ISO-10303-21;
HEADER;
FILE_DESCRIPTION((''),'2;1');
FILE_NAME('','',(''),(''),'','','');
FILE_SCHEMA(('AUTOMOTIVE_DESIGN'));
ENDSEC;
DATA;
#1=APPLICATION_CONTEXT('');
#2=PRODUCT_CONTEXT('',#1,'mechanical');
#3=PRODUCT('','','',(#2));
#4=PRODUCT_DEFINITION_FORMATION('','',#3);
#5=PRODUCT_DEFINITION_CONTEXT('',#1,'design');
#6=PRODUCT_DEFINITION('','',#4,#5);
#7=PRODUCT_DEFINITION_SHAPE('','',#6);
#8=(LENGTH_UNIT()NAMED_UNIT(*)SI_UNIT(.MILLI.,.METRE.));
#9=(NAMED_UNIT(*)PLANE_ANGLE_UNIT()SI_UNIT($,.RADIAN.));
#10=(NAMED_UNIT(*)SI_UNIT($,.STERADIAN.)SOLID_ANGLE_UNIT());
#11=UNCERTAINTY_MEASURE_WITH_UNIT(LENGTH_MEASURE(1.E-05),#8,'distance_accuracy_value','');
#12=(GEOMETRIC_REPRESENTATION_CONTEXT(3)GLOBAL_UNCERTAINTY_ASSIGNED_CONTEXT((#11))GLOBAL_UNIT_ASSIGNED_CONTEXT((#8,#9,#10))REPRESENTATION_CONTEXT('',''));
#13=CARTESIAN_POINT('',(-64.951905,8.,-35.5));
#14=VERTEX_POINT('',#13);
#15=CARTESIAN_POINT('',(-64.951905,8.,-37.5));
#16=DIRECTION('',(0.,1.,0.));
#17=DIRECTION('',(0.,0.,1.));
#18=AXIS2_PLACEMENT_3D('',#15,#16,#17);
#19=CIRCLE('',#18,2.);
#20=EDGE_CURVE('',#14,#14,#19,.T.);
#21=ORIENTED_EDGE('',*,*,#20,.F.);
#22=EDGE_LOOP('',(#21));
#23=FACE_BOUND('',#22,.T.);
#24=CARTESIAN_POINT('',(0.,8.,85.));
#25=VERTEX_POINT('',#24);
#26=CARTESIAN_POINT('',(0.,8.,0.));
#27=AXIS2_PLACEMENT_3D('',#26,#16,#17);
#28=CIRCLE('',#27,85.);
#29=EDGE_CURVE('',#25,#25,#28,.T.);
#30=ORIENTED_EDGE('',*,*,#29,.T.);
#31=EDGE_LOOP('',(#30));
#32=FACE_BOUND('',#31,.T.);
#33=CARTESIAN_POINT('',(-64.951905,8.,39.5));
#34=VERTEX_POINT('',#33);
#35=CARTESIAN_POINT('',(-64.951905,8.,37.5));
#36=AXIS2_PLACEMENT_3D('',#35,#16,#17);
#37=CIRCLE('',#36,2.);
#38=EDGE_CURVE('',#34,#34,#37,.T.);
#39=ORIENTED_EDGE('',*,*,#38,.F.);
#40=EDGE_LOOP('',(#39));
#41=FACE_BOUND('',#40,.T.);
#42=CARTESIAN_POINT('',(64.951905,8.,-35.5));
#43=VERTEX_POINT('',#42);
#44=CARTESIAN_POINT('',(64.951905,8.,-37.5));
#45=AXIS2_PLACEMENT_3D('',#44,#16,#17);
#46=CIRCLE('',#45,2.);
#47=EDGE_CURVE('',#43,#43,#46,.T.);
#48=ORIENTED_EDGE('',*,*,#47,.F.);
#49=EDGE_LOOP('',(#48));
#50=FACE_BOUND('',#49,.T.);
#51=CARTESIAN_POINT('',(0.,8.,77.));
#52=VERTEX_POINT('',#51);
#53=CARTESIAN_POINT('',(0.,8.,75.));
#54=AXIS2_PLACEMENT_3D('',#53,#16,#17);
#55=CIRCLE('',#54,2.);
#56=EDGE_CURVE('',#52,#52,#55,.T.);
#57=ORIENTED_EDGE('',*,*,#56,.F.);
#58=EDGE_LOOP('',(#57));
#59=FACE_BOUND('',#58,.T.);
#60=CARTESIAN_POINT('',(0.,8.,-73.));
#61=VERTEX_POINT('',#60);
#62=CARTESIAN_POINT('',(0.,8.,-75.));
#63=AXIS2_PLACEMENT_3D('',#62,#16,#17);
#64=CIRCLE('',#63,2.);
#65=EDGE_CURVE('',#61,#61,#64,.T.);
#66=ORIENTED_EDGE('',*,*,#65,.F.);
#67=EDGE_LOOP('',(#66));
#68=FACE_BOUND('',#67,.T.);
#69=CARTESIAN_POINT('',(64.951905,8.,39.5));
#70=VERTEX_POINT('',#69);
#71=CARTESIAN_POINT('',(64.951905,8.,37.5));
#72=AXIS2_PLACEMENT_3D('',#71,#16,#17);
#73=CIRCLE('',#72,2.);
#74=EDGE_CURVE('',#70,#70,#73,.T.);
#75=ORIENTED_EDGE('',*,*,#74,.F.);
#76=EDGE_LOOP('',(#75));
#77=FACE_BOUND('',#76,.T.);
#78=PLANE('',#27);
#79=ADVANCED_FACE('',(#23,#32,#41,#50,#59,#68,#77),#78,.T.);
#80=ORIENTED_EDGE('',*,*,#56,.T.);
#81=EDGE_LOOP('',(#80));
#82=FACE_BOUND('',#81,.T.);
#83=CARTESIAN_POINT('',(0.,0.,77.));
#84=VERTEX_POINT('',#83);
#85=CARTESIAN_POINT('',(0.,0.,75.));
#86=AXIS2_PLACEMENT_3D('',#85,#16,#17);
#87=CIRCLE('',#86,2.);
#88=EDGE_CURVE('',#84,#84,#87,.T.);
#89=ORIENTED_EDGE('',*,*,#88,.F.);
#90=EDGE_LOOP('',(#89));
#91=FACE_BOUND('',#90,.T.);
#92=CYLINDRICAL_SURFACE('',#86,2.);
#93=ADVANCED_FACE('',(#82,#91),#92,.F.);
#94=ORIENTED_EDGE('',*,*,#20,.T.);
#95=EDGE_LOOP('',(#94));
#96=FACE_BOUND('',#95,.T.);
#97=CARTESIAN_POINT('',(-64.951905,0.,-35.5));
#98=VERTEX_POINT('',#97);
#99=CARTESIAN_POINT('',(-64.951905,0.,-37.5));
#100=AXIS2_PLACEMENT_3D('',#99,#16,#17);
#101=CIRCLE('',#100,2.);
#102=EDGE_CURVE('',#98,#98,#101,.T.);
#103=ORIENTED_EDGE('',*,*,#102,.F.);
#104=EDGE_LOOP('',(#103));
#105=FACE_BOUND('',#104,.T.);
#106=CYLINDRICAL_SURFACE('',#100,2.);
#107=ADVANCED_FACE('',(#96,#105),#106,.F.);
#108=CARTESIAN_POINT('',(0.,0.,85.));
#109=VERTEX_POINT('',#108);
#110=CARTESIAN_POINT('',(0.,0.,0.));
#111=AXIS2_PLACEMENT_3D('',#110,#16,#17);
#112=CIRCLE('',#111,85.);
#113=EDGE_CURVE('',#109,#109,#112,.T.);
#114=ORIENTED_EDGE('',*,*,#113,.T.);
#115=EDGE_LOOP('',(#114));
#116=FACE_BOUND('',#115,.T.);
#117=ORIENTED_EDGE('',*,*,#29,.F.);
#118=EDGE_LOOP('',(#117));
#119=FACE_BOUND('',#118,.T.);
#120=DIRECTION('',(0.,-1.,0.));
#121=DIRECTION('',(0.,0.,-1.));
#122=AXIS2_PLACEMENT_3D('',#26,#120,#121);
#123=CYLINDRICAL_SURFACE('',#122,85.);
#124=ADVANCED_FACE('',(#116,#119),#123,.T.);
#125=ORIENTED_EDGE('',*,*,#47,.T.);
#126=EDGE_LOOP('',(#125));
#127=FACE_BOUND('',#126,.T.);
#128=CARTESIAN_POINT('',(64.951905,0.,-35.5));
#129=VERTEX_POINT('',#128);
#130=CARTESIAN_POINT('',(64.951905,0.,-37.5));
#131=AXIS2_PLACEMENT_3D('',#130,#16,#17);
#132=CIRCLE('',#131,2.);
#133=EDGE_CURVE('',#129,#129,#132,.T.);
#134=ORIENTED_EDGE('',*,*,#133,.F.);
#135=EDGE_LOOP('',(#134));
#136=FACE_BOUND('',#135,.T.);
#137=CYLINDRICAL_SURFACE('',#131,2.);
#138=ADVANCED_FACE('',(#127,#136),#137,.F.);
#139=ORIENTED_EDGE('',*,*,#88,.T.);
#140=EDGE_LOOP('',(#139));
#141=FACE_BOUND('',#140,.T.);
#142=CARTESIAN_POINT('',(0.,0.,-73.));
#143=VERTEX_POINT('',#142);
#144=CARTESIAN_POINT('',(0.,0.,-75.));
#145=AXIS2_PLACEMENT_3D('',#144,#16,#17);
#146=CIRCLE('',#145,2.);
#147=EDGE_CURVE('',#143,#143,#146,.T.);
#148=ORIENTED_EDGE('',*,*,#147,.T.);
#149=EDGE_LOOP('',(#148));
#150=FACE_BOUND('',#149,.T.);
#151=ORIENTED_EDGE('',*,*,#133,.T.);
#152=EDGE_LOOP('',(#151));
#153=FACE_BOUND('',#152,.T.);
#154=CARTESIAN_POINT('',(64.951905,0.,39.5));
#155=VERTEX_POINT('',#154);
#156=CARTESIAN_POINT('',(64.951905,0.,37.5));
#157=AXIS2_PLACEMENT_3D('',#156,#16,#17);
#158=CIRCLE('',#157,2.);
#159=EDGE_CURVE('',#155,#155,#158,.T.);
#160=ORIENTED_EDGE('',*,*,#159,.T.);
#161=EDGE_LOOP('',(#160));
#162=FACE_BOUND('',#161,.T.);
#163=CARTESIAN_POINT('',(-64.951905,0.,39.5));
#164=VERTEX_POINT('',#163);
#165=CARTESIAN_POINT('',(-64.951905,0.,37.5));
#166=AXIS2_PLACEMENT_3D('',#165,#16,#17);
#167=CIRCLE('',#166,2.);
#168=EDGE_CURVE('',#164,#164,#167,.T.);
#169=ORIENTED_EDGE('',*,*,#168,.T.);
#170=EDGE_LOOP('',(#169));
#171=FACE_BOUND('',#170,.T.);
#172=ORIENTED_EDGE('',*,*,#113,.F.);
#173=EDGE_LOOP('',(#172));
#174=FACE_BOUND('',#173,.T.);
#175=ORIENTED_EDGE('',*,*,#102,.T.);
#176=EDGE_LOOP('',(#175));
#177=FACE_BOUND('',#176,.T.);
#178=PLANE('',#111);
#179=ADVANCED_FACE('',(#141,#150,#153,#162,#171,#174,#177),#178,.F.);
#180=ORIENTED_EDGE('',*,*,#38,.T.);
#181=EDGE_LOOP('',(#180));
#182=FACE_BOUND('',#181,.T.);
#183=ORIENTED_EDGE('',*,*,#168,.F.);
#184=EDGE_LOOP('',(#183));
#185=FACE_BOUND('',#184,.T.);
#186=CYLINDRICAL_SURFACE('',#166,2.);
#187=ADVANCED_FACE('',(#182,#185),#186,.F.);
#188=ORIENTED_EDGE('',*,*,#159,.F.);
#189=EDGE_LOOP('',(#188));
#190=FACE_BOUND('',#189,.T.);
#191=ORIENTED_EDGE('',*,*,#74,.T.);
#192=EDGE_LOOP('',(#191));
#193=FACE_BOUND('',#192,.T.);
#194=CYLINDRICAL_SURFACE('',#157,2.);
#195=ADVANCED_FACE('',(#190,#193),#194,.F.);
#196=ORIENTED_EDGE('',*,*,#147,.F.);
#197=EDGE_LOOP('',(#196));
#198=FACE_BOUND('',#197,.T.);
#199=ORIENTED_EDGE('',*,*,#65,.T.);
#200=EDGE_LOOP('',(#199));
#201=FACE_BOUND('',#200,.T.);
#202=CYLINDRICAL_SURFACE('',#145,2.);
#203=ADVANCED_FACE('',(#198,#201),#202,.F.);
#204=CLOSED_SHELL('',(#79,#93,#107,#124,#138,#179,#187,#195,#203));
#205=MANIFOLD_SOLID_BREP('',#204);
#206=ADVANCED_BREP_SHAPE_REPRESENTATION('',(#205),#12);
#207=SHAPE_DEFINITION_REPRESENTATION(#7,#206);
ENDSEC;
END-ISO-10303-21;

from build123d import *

# Parameters (mm, degrees)
SKETCH_1_R          = 85
EXTRUDE_1_DEPTH     = 8
SKETCH_2_R          = 2
CUT_EXTRUDE_1_DEPTH = 9


with BuildPart() as part:
    # 草图1 → 凸台-拉伸1 (new body)
    with BuildSketch(Plane(origin=(0, 0, 0), x_dir=(1, 0, 0), z_dir=(0, 1, 0))):
        Circle(SKETCH_1_R)
    extrude(amount=EXTRUDE_1_DEPTH)

    # 草图2 → 切除-拉伸1 (cut, through all)
    with BuildSketch(Plane(origin=(0, 8, 0), x_dir=(1, 0, 0), z_dir=(0, 1, 0))):
        with Locations((0, -75)):
            Circle(SKETCH_2_R)
        with Locations((-64.951905284, -37.5)):
            Circle(SKETCH_2_R)
        with Locations((-64.951905284, 37.5)):
            Circle(SKETCH_2_R)
        with Locations((0, 75)):
            Circle(SKETCH_2_R)
        with Locations((64.951905284, 37.5)):
            Circle(SKETCH_2_R)
        with Locations((64.951905284, -37.5)):
            Circle(SKETCH_2_R)
    extrude(amount=-CUT_EXTRUDE_1_DEPTH, mode=Mode.SUBTRACT)


solid = part.part
